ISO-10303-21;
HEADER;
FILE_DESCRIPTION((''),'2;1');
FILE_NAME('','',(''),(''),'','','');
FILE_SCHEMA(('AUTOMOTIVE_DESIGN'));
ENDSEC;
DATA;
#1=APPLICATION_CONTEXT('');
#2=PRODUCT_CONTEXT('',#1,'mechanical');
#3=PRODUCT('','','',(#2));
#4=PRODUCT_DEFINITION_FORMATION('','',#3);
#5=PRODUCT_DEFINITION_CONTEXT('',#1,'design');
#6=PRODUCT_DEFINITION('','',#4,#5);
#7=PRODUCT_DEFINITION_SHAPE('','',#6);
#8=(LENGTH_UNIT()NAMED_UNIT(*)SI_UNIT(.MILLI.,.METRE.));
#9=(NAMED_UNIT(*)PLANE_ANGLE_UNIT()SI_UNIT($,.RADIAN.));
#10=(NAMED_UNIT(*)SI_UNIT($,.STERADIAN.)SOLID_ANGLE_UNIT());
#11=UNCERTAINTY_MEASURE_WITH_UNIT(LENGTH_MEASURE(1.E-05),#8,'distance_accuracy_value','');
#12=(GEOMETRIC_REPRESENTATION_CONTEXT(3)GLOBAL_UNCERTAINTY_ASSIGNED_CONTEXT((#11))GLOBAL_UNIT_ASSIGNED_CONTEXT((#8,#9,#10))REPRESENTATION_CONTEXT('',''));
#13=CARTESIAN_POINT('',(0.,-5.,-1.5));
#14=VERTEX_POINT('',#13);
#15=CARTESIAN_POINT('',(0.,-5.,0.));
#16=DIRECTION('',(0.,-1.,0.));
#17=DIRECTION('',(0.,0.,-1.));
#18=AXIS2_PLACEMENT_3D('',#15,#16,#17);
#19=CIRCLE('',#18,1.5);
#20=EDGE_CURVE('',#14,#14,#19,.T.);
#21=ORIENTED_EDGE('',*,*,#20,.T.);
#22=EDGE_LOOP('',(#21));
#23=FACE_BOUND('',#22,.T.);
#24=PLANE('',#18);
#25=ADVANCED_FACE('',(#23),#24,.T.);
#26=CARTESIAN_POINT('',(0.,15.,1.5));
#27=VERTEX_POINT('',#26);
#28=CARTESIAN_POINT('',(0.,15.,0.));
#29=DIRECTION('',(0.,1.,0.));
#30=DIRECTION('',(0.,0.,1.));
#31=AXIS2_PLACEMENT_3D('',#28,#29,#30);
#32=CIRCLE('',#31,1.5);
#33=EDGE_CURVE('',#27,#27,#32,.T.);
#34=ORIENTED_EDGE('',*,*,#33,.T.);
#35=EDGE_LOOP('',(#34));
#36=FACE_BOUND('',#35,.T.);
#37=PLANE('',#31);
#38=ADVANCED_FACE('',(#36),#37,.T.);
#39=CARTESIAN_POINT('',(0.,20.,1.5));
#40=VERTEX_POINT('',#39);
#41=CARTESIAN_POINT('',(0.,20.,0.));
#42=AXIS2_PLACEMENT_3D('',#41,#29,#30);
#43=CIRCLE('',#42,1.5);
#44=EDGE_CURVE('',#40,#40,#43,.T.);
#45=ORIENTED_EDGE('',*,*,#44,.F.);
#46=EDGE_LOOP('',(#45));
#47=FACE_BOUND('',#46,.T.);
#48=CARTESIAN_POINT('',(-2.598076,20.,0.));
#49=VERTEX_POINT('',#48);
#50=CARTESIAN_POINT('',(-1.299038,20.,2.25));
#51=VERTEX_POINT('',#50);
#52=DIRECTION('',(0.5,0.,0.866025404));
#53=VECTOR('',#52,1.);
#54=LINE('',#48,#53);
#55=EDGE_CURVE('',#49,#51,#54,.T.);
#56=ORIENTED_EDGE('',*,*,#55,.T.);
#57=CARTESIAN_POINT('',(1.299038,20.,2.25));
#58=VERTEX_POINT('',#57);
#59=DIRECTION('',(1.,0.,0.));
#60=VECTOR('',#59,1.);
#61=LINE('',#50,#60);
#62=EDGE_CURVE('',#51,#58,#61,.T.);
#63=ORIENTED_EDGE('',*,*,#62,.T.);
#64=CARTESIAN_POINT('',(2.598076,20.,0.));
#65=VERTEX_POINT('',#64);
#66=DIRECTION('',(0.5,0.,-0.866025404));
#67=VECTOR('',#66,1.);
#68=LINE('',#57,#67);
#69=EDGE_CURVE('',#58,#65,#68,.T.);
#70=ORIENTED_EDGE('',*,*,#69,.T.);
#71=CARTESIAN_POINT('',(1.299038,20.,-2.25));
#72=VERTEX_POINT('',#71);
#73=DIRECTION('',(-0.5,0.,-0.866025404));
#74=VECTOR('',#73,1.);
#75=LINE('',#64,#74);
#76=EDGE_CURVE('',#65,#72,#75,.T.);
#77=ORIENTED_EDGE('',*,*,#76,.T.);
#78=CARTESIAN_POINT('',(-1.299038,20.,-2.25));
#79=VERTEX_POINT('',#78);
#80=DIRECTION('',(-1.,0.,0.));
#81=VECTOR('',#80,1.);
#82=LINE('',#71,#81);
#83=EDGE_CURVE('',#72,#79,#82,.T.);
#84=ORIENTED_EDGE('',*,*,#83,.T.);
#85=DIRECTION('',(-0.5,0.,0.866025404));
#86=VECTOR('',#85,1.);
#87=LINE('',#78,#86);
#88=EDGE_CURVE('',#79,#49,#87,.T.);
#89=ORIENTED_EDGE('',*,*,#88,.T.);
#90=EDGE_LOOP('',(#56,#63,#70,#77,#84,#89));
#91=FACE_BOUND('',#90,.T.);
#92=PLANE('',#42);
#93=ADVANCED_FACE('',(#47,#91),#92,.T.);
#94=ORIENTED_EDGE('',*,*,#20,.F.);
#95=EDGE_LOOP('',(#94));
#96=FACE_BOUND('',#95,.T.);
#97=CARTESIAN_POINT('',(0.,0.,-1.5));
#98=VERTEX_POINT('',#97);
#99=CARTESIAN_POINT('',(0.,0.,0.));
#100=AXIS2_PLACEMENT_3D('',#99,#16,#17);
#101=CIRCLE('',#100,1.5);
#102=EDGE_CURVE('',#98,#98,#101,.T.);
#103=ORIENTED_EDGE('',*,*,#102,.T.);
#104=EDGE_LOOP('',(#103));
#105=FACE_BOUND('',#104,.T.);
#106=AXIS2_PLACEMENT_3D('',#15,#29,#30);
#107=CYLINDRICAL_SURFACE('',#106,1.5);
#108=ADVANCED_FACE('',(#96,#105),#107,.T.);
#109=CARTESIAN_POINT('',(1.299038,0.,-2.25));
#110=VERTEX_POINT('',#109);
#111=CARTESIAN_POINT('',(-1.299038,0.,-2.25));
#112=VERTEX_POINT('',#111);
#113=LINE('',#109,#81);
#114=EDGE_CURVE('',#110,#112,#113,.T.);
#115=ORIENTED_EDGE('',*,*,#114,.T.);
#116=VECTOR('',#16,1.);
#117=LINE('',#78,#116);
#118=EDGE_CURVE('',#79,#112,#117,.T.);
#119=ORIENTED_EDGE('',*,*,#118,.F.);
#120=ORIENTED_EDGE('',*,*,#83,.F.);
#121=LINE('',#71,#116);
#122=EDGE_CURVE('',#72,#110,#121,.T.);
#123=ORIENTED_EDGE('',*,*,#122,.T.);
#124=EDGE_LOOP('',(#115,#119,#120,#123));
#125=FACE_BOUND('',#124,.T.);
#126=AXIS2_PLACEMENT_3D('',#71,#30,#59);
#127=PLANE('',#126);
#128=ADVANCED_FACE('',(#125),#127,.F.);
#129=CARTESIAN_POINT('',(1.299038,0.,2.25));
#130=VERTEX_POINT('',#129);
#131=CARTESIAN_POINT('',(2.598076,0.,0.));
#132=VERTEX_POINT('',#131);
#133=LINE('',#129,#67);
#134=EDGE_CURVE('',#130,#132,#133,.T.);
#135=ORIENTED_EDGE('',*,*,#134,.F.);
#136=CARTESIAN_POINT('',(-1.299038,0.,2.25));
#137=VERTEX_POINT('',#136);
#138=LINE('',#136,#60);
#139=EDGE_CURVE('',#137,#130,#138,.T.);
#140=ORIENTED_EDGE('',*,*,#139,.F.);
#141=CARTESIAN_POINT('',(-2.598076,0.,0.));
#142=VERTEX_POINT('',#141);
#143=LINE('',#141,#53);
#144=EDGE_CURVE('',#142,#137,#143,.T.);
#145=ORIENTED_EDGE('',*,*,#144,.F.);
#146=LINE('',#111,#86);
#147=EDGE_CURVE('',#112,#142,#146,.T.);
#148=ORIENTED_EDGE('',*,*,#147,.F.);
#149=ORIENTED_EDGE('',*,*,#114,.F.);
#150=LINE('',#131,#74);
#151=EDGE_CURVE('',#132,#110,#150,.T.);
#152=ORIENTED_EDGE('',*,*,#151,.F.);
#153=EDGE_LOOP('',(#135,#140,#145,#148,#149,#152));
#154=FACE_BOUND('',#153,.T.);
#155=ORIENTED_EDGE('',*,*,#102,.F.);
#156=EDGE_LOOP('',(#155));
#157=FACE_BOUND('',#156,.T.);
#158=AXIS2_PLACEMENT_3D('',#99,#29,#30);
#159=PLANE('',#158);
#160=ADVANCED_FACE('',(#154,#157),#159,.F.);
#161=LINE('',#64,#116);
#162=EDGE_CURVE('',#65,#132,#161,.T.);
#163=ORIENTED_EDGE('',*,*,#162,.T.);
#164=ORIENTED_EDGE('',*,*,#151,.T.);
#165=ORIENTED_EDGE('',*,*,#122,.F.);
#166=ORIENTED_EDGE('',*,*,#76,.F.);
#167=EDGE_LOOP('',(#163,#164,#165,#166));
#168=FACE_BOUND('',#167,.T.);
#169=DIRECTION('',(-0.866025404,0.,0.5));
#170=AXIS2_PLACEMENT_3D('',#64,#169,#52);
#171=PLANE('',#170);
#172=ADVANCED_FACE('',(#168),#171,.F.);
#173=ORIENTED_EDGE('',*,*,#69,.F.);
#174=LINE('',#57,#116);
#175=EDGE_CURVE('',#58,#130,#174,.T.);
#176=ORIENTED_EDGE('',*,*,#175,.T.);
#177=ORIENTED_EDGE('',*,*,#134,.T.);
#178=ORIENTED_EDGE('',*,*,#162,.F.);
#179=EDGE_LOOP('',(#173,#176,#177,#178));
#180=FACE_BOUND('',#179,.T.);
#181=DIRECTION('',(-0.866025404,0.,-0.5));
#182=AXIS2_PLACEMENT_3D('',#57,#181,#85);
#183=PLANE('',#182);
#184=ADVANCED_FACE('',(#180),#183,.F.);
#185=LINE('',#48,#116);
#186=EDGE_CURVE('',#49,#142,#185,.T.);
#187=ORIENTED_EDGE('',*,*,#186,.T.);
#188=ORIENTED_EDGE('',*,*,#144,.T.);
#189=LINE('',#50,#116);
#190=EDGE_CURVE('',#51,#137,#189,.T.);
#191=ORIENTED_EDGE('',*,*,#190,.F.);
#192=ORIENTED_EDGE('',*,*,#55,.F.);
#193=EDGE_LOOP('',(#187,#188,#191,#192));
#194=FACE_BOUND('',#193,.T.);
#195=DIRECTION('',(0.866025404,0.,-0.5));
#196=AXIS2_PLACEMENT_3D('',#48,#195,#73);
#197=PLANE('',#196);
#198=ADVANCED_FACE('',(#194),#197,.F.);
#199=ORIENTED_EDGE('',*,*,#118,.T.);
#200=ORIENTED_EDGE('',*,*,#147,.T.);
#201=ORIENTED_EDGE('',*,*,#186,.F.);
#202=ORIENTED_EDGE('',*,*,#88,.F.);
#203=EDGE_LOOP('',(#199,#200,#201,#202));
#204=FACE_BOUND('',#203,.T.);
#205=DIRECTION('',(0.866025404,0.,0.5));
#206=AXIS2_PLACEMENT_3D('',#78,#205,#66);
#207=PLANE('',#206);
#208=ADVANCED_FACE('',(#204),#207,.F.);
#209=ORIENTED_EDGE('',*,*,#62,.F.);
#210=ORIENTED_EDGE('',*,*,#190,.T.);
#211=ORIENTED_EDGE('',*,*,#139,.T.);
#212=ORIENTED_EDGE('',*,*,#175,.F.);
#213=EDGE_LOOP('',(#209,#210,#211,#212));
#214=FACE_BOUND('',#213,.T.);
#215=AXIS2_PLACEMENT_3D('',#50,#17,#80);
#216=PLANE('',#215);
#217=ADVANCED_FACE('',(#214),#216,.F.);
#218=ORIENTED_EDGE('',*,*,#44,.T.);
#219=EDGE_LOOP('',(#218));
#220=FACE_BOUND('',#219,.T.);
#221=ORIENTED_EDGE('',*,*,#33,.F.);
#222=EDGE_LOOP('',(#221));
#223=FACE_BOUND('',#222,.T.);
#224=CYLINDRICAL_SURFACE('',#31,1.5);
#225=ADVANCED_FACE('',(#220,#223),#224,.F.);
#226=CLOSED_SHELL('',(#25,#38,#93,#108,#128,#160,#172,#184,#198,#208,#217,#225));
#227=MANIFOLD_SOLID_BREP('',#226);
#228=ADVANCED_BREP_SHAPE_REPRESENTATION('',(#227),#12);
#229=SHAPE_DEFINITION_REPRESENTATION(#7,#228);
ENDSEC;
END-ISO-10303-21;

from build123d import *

# Parameters (mm, degrees)
BOSS_EXTRUDE1_DEPTH = 20
SKETCH2_R           = 1.5
BOSS_EXTRUDE2_DEPTH = 5
CUT_EXTRUDE1_START  = -20
SKETCH2_2_R         = 1.5
CUT_EXTRUDE1_DEPTH  = 5


with BuildPart() as part:
    # Sketch1 → Boss-Extrude1 (new body)
    with BuildSketch(Plane(origin=(0, 0, 0), x_dir=(1, 0, 0), z_dir=(0, 1, 0))):
        Polygon((2.598076211, 0), (1.299038106, 2.25), (-1.299038106, 2.25), (-2.598076211, 0), (-1.299038106, -2.25), (1.299038106, -2.25), align=None)
    extrude(amount=BOSS_EXTRUDE1_DEPTH)

    # Sketch2 → Boss-Extrude2 (add)
    with BuildSketch(Plane.XZ):
        Circle(SKETCH2_R)
    extrude(amount=BOSS_EXTRUDE2_DEPTH)

    # Sketch2<2> → Cut-Extrude1 (cut)
    with BuildSketch(Plane.XZ.offset(CUT_EXTRUDE1_START)):
        Circle(SKETCH2_2_R)
    extrude(amount=CUT_EXTRUDE1_DEPTH, mode=Mode.SUBTRACT)


solid = part.part
